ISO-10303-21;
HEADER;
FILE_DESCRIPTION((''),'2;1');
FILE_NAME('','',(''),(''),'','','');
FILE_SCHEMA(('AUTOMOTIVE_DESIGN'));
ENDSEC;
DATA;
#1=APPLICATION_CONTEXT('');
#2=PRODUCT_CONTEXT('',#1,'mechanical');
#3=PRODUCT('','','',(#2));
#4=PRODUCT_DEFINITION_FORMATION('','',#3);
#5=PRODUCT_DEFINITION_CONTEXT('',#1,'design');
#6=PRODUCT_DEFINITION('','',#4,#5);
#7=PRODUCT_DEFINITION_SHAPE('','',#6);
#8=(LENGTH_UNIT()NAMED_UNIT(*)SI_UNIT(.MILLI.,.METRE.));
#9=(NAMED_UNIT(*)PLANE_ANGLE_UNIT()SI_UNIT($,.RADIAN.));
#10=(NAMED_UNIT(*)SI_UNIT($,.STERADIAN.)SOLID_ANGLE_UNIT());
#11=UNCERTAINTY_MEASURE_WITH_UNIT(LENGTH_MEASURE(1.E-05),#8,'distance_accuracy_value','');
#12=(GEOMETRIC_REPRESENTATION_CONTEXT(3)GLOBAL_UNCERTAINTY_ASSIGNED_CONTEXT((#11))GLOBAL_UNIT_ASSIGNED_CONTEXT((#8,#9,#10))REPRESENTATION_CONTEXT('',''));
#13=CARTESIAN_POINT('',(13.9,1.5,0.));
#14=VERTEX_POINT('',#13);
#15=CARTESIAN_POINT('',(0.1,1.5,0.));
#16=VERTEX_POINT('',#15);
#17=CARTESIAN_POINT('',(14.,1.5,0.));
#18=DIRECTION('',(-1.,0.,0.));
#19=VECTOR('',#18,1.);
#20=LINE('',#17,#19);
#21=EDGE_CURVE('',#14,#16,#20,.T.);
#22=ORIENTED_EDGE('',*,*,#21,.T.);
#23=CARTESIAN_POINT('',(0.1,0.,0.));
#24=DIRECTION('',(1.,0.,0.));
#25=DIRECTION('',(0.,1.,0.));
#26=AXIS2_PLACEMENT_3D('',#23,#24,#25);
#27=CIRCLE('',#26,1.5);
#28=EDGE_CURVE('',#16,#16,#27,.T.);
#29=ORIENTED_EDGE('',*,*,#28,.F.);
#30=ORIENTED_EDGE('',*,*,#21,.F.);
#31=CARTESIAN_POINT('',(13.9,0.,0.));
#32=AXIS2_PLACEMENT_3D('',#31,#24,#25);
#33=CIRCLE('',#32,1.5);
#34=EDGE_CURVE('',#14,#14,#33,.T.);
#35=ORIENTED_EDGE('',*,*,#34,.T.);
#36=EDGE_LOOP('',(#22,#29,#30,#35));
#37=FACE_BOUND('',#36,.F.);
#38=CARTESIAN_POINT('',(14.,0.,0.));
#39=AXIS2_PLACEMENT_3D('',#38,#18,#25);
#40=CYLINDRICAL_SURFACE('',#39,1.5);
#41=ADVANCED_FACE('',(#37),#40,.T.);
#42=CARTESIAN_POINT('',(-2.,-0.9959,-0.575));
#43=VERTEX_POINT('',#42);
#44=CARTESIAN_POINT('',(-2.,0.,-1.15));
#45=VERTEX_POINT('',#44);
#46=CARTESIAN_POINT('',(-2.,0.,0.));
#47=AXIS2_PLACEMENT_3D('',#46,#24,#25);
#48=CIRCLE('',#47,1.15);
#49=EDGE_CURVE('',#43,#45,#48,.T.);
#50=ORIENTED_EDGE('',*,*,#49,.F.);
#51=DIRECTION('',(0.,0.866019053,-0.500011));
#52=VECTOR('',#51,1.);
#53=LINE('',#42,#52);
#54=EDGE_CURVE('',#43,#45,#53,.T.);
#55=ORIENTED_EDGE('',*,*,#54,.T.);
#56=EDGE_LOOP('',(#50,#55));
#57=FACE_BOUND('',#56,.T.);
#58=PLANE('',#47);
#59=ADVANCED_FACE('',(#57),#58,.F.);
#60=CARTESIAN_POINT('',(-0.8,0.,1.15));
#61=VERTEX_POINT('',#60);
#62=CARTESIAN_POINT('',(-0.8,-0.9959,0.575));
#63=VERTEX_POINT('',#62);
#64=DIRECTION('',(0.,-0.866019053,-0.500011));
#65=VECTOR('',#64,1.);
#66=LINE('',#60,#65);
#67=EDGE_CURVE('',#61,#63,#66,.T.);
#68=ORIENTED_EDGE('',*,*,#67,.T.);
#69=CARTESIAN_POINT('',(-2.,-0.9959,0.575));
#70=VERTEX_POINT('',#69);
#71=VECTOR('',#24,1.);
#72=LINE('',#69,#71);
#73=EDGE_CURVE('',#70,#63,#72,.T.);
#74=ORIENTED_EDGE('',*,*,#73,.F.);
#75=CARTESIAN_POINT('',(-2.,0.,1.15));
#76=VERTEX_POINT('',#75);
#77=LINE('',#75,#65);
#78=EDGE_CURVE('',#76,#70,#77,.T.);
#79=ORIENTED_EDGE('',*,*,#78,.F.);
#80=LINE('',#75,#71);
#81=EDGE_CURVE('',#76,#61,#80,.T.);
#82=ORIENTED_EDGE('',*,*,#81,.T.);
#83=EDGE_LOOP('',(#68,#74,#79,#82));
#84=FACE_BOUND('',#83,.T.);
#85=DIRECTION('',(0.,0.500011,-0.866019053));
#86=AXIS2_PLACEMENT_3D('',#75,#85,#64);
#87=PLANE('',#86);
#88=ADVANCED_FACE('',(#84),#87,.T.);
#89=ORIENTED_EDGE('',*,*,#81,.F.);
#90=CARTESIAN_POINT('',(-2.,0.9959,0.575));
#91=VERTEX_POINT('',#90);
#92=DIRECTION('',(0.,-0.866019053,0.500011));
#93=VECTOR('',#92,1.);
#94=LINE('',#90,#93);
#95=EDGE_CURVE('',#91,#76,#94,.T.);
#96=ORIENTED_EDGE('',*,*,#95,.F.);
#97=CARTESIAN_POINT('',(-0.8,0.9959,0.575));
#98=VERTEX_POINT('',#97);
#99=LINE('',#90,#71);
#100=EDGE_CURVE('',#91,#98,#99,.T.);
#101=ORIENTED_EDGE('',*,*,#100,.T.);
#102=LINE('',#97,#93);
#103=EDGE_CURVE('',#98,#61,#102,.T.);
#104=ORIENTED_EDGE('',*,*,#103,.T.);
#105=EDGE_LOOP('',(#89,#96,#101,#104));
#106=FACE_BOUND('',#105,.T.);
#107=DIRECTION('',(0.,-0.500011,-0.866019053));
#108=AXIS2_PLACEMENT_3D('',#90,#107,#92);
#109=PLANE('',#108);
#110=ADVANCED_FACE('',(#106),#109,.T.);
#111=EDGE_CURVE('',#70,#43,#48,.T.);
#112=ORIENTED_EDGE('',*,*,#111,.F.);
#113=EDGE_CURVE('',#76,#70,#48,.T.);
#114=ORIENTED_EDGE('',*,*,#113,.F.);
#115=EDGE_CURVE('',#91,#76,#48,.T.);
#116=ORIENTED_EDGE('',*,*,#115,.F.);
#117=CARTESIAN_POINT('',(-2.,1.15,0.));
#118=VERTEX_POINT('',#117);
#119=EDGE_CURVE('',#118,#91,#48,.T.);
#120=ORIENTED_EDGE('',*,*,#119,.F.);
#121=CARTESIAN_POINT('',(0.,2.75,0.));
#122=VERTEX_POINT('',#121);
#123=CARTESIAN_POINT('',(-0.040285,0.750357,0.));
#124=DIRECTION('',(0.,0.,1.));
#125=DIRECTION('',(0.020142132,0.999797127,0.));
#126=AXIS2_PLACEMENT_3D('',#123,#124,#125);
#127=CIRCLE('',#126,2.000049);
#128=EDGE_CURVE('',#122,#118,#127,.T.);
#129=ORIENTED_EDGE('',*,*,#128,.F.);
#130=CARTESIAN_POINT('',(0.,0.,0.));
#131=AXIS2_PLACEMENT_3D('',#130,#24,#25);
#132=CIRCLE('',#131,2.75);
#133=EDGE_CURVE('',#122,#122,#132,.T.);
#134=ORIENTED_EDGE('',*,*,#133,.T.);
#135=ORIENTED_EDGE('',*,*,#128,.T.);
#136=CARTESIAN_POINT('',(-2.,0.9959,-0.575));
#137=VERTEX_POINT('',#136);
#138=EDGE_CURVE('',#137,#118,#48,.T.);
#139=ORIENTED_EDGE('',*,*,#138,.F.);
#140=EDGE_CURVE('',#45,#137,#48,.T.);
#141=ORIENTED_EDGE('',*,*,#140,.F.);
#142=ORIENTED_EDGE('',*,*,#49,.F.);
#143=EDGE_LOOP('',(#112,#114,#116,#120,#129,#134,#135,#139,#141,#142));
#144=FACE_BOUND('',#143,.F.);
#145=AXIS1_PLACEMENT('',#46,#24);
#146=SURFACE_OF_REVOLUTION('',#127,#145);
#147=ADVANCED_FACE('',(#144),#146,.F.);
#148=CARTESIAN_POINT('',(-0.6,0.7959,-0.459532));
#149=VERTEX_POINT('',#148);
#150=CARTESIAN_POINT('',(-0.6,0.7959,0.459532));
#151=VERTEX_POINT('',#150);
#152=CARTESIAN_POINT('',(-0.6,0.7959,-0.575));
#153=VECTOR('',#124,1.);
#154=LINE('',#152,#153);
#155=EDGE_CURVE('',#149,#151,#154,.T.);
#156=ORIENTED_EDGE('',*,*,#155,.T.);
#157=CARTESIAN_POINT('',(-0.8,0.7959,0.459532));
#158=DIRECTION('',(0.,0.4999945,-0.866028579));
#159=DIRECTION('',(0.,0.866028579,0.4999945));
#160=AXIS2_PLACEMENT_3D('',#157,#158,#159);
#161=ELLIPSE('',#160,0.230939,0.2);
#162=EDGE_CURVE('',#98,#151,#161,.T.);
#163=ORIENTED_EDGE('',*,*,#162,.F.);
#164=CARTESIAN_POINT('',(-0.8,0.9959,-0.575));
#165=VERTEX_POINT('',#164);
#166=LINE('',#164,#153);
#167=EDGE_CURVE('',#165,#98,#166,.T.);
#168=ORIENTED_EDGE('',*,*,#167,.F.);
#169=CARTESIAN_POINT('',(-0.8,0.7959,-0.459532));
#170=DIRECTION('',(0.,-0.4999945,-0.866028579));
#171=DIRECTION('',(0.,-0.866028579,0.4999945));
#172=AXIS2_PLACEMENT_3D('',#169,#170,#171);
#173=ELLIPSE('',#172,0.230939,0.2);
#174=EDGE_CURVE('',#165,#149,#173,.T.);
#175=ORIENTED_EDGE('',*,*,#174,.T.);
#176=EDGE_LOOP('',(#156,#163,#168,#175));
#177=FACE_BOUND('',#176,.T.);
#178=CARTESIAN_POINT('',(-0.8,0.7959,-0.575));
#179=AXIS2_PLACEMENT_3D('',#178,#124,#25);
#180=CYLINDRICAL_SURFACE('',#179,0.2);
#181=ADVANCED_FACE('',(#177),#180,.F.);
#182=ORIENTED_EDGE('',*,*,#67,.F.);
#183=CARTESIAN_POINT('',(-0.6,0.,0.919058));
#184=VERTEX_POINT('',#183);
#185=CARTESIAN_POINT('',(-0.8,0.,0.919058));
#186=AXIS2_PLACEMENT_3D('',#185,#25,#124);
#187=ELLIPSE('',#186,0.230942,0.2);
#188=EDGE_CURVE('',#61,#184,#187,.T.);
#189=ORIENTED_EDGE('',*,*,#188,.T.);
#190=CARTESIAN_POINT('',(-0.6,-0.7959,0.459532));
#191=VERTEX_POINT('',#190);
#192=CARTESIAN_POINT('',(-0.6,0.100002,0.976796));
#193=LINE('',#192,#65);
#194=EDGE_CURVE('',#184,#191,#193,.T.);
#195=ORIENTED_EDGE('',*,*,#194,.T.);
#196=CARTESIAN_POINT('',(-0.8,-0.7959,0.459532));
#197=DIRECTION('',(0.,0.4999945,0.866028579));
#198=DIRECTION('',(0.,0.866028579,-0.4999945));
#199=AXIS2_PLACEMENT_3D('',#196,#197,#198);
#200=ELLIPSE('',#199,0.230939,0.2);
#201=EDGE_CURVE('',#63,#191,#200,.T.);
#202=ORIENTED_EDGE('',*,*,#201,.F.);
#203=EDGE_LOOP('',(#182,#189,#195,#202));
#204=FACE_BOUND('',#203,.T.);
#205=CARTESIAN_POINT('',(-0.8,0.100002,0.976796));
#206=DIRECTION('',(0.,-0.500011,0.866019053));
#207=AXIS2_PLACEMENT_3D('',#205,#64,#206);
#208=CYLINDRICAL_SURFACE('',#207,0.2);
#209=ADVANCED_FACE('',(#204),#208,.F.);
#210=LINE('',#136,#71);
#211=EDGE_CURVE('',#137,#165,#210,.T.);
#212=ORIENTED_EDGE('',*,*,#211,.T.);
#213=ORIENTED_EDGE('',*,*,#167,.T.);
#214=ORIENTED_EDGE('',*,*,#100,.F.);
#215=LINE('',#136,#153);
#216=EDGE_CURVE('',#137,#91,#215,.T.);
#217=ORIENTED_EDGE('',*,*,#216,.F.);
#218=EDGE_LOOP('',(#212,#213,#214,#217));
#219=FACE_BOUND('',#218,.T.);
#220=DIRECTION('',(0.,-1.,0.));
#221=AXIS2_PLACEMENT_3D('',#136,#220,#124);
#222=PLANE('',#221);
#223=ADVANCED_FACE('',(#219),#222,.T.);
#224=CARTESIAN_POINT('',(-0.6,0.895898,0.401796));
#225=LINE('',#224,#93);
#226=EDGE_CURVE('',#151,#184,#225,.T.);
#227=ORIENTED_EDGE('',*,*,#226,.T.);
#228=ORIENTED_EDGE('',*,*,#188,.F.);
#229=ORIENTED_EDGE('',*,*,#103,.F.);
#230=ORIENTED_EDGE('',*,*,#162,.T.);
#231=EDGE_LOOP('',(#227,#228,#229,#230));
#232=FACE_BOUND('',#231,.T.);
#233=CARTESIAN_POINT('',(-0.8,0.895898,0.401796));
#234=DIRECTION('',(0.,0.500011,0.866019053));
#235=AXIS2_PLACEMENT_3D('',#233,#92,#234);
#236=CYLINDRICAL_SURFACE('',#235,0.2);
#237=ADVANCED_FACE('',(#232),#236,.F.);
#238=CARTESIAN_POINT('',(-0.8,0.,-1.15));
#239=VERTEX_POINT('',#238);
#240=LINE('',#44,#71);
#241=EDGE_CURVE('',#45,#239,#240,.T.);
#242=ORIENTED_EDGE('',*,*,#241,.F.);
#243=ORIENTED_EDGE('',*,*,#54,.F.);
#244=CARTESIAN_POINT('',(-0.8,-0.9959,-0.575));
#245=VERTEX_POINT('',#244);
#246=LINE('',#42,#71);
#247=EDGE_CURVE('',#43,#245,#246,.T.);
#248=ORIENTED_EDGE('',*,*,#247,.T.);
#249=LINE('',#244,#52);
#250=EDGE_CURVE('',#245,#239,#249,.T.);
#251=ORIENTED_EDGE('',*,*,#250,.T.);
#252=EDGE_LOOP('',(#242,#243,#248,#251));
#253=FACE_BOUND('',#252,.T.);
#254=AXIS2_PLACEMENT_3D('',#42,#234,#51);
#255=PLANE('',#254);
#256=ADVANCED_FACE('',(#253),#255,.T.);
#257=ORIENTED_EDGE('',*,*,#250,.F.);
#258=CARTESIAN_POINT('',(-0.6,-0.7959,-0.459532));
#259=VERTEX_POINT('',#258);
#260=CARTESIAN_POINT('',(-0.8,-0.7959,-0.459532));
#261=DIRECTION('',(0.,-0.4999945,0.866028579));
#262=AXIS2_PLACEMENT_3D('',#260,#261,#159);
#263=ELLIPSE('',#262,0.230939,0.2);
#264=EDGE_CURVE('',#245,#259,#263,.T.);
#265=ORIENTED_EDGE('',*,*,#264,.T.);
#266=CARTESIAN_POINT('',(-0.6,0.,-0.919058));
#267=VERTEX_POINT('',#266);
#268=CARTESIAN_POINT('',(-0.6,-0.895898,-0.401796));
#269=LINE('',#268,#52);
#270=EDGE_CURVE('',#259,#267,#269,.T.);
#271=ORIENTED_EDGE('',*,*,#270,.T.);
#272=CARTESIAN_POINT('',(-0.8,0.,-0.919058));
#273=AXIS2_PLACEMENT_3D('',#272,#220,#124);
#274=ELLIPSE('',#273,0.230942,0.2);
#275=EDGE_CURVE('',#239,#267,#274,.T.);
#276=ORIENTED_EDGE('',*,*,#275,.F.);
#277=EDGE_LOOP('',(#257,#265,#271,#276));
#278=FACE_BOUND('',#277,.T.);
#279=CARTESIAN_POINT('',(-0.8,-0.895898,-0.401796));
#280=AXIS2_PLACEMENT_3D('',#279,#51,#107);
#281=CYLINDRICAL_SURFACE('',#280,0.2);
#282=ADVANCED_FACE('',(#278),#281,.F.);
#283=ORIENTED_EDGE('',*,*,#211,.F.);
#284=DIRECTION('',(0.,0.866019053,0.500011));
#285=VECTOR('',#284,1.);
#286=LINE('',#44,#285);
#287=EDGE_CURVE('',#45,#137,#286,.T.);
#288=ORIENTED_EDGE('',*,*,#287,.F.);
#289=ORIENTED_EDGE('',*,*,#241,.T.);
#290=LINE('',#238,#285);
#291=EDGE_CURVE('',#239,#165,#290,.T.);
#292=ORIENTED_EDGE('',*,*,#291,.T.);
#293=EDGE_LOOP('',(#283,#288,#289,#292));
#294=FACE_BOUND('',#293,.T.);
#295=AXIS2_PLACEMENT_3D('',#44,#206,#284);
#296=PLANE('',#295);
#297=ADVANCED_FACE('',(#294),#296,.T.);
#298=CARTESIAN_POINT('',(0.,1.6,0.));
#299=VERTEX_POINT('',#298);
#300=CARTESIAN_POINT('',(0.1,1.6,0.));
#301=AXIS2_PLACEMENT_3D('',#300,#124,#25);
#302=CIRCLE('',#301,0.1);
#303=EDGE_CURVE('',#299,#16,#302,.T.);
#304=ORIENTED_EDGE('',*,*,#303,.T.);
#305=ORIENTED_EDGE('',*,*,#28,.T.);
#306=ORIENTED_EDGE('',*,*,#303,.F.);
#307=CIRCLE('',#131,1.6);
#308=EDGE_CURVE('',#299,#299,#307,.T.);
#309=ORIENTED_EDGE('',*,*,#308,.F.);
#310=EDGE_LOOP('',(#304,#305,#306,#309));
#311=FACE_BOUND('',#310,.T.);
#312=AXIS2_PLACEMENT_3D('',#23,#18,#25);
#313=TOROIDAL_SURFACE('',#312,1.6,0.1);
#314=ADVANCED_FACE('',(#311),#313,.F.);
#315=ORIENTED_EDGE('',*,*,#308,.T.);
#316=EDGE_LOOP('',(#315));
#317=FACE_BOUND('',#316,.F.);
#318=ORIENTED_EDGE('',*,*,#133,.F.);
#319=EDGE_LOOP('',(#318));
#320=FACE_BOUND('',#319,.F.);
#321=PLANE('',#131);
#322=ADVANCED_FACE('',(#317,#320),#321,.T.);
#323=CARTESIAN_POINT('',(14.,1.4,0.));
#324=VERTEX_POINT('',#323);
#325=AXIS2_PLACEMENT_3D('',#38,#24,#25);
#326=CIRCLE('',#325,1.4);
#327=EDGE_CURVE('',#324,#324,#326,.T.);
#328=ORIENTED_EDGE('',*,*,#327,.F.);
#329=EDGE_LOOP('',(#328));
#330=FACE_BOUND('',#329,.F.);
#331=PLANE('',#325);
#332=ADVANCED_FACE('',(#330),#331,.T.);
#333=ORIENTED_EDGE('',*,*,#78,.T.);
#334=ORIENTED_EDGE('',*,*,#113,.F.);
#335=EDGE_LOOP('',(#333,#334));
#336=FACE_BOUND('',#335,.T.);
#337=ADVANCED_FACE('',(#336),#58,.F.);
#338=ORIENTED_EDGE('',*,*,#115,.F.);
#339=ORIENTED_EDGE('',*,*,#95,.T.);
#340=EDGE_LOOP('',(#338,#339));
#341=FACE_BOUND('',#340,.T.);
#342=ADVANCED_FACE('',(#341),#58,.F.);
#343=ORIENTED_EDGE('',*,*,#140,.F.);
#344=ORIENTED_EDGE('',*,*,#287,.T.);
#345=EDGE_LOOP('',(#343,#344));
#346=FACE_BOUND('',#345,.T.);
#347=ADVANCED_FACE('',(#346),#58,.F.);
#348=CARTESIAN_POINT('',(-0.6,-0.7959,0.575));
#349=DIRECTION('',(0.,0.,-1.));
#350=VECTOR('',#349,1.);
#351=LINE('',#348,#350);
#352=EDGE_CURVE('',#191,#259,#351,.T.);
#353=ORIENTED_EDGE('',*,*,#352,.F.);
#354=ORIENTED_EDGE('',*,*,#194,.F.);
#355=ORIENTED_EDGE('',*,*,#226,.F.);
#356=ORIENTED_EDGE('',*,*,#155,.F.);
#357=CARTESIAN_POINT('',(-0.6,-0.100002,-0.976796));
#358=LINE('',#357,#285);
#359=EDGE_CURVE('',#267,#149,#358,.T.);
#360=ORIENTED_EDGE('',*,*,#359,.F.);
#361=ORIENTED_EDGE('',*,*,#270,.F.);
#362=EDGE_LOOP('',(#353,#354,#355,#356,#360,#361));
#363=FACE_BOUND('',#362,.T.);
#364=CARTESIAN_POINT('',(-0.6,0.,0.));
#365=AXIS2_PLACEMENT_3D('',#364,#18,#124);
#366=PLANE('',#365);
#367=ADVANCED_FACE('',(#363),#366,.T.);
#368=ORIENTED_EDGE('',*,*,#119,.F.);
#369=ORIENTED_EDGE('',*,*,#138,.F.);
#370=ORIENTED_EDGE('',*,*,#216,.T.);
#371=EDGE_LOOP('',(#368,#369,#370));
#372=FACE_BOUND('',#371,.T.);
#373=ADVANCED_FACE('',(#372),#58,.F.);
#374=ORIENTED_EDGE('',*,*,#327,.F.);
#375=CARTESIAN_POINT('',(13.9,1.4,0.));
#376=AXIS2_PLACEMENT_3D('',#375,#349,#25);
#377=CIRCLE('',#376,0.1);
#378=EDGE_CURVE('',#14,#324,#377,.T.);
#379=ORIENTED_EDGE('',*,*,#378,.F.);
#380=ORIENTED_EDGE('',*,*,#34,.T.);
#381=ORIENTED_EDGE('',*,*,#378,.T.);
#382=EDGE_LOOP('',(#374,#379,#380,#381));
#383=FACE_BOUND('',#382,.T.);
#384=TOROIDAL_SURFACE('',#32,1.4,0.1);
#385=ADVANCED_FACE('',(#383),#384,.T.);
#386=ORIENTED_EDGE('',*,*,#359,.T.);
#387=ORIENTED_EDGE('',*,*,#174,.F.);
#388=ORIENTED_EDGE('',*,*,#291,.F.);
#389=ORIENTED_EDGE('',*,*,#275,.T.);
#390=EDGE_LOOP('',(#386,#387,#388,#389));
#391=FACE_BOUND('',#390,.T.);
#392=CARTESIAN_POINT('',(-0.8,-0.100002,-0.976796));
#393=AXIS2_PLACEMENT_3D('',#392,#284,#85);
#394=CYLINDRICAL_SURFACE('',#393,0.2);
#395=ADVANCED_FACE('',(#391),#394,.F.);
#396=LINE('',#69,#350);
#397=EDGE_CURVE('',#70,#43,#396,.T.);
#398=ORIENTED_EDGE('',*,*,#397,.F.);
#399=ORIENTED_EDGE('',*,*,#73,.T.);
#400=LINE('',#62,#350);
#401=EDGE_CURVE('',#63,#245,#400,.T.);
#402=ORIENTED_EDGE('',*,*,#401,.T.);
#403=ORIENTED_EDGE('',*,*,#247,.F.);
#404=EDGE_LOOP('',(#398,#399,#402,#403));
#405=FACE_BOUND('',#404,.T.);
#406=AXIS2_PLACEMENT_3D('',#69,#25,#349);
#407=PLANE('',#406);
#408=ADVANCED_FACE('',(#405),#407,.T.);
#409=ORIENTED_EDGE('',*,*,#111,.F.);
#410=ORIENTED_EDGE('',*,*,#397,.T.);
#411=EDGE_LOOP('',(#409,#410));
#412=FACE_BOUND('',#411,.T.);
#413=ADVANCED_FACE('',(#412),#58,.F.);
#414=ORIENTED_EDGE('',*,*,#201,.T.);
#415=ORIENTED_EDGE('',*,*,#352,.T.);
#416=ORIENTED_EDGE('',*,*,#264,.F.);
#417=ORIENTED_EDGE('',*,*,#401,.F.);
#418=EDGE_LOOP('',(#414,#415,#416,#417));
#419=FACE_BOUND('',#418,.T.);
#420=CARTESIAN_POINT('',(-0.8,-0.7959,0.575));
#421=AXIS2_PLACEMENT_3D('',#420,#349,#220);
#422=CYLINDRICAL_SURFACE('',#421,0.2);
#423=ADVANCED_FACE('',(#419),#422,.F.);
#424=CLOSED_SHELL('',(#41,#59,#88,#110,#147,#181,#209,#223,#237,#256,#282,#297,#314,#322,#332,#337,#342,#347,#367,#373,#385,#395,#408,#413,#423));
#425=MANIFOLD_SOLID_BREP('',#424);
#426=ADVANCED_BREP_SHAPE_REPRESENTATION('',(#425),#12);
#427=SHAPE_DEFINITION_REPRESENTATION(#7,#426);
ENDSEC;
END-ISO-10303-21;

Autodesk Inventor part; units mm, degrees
ref_plane "YZ Plane" through (0, 0, 0) normal (1, 0, 0) x (0, 1, 0)
ref_plane "XZ Plane" through (0, 0, 0) normal (0, 1, 0) x (-1, 0, 0)
ref_plane "XY Plane" through (0, 0, 0) normal (0, 0, 1) x (1, 0, 0)
sketch "スケッチ1" plane through (0, 0, 0) normal (0, 0, 1) x (1, 0, 0)
  line L0 (0, 0) -> (14, 0)
  line L1 (14, 0) -> (14, 1.5)
  line L2 (14, 1.5) -> (0, 1.5)
  line L3 (0, 1.5) -> (0, 0)
  line L4 (0, 0) -> (0, 2.75)
  line L5 (0, 0) -> (-2, 0)
  line L6 (-2, 0) -> (0, 0)
  line L7 (-2, 0) -> (-2, 1.15)
  arc A0 (0, 2.75) -> (-2, 1.15) centre (-0.0403, 0.7504) ccw
  dimension "d0" = 1.5
  dimension "d1" = 14
  dimension "d3" = 2
  dimension "d4" = 2.75
  dimension "d5" = 1.15
  dimension "d6" = 2
revolve "回転1" add sketch "スケッチ1" angle 360 about axis through (-2, 0, 0) along (1, 0, 0)
thread "ねじ1" size "M3x0.5" class "6g" standard "ANSI Metric M Profile" length 100
sketch "スケッチ2" plane through (-2, 0, 0) normal (-1, 0, 0) x (0, 0, 1)
  circle A0 centre (0, 0) radius 1.15 projected
  line L0 (-0.575, 0.9959) -> (0.575, 0.9959)
  line L1 (0.575, 0.9959) -> (1.15, 0)
  line L2 (1.15, 0) -> (0.575, -0.9959)
  line L3 (0.575, -0.9959) -> (-0.575, -0.9959)
  line L4 (-0.575, -0.9959) -> (-1.15, 0)
  line L5 (-1.15, 0) -> (-0.575, 0.9959)
  dimension "d10" = 1.15
  dimension "d11" = 1.9919
extrude "押し出し1" cut sketch "スケッチ2" against normal blind 1.4 contours L2 L3 L4 L5 L0 L1
fillet "フィレット1" radius 0.2 6 edges at (-0.6, 0.9959, 0) (-0.6, 0.498, 0.8625) (-0.6, 0.498, -0.8625) (-0.6, -0.498, -0.8625) (-0.6, -0.9959, 0) (-0.6, -0.498, 0.8625)
fillet "フィレット2" radius 0.1 1 edges at (0, -1.5, 0)
fillet "フィレット3" radius 0.1 1 edges at (14, -1.5, 0)
properties part number "ネジボタンM3L14" material "鋼"
